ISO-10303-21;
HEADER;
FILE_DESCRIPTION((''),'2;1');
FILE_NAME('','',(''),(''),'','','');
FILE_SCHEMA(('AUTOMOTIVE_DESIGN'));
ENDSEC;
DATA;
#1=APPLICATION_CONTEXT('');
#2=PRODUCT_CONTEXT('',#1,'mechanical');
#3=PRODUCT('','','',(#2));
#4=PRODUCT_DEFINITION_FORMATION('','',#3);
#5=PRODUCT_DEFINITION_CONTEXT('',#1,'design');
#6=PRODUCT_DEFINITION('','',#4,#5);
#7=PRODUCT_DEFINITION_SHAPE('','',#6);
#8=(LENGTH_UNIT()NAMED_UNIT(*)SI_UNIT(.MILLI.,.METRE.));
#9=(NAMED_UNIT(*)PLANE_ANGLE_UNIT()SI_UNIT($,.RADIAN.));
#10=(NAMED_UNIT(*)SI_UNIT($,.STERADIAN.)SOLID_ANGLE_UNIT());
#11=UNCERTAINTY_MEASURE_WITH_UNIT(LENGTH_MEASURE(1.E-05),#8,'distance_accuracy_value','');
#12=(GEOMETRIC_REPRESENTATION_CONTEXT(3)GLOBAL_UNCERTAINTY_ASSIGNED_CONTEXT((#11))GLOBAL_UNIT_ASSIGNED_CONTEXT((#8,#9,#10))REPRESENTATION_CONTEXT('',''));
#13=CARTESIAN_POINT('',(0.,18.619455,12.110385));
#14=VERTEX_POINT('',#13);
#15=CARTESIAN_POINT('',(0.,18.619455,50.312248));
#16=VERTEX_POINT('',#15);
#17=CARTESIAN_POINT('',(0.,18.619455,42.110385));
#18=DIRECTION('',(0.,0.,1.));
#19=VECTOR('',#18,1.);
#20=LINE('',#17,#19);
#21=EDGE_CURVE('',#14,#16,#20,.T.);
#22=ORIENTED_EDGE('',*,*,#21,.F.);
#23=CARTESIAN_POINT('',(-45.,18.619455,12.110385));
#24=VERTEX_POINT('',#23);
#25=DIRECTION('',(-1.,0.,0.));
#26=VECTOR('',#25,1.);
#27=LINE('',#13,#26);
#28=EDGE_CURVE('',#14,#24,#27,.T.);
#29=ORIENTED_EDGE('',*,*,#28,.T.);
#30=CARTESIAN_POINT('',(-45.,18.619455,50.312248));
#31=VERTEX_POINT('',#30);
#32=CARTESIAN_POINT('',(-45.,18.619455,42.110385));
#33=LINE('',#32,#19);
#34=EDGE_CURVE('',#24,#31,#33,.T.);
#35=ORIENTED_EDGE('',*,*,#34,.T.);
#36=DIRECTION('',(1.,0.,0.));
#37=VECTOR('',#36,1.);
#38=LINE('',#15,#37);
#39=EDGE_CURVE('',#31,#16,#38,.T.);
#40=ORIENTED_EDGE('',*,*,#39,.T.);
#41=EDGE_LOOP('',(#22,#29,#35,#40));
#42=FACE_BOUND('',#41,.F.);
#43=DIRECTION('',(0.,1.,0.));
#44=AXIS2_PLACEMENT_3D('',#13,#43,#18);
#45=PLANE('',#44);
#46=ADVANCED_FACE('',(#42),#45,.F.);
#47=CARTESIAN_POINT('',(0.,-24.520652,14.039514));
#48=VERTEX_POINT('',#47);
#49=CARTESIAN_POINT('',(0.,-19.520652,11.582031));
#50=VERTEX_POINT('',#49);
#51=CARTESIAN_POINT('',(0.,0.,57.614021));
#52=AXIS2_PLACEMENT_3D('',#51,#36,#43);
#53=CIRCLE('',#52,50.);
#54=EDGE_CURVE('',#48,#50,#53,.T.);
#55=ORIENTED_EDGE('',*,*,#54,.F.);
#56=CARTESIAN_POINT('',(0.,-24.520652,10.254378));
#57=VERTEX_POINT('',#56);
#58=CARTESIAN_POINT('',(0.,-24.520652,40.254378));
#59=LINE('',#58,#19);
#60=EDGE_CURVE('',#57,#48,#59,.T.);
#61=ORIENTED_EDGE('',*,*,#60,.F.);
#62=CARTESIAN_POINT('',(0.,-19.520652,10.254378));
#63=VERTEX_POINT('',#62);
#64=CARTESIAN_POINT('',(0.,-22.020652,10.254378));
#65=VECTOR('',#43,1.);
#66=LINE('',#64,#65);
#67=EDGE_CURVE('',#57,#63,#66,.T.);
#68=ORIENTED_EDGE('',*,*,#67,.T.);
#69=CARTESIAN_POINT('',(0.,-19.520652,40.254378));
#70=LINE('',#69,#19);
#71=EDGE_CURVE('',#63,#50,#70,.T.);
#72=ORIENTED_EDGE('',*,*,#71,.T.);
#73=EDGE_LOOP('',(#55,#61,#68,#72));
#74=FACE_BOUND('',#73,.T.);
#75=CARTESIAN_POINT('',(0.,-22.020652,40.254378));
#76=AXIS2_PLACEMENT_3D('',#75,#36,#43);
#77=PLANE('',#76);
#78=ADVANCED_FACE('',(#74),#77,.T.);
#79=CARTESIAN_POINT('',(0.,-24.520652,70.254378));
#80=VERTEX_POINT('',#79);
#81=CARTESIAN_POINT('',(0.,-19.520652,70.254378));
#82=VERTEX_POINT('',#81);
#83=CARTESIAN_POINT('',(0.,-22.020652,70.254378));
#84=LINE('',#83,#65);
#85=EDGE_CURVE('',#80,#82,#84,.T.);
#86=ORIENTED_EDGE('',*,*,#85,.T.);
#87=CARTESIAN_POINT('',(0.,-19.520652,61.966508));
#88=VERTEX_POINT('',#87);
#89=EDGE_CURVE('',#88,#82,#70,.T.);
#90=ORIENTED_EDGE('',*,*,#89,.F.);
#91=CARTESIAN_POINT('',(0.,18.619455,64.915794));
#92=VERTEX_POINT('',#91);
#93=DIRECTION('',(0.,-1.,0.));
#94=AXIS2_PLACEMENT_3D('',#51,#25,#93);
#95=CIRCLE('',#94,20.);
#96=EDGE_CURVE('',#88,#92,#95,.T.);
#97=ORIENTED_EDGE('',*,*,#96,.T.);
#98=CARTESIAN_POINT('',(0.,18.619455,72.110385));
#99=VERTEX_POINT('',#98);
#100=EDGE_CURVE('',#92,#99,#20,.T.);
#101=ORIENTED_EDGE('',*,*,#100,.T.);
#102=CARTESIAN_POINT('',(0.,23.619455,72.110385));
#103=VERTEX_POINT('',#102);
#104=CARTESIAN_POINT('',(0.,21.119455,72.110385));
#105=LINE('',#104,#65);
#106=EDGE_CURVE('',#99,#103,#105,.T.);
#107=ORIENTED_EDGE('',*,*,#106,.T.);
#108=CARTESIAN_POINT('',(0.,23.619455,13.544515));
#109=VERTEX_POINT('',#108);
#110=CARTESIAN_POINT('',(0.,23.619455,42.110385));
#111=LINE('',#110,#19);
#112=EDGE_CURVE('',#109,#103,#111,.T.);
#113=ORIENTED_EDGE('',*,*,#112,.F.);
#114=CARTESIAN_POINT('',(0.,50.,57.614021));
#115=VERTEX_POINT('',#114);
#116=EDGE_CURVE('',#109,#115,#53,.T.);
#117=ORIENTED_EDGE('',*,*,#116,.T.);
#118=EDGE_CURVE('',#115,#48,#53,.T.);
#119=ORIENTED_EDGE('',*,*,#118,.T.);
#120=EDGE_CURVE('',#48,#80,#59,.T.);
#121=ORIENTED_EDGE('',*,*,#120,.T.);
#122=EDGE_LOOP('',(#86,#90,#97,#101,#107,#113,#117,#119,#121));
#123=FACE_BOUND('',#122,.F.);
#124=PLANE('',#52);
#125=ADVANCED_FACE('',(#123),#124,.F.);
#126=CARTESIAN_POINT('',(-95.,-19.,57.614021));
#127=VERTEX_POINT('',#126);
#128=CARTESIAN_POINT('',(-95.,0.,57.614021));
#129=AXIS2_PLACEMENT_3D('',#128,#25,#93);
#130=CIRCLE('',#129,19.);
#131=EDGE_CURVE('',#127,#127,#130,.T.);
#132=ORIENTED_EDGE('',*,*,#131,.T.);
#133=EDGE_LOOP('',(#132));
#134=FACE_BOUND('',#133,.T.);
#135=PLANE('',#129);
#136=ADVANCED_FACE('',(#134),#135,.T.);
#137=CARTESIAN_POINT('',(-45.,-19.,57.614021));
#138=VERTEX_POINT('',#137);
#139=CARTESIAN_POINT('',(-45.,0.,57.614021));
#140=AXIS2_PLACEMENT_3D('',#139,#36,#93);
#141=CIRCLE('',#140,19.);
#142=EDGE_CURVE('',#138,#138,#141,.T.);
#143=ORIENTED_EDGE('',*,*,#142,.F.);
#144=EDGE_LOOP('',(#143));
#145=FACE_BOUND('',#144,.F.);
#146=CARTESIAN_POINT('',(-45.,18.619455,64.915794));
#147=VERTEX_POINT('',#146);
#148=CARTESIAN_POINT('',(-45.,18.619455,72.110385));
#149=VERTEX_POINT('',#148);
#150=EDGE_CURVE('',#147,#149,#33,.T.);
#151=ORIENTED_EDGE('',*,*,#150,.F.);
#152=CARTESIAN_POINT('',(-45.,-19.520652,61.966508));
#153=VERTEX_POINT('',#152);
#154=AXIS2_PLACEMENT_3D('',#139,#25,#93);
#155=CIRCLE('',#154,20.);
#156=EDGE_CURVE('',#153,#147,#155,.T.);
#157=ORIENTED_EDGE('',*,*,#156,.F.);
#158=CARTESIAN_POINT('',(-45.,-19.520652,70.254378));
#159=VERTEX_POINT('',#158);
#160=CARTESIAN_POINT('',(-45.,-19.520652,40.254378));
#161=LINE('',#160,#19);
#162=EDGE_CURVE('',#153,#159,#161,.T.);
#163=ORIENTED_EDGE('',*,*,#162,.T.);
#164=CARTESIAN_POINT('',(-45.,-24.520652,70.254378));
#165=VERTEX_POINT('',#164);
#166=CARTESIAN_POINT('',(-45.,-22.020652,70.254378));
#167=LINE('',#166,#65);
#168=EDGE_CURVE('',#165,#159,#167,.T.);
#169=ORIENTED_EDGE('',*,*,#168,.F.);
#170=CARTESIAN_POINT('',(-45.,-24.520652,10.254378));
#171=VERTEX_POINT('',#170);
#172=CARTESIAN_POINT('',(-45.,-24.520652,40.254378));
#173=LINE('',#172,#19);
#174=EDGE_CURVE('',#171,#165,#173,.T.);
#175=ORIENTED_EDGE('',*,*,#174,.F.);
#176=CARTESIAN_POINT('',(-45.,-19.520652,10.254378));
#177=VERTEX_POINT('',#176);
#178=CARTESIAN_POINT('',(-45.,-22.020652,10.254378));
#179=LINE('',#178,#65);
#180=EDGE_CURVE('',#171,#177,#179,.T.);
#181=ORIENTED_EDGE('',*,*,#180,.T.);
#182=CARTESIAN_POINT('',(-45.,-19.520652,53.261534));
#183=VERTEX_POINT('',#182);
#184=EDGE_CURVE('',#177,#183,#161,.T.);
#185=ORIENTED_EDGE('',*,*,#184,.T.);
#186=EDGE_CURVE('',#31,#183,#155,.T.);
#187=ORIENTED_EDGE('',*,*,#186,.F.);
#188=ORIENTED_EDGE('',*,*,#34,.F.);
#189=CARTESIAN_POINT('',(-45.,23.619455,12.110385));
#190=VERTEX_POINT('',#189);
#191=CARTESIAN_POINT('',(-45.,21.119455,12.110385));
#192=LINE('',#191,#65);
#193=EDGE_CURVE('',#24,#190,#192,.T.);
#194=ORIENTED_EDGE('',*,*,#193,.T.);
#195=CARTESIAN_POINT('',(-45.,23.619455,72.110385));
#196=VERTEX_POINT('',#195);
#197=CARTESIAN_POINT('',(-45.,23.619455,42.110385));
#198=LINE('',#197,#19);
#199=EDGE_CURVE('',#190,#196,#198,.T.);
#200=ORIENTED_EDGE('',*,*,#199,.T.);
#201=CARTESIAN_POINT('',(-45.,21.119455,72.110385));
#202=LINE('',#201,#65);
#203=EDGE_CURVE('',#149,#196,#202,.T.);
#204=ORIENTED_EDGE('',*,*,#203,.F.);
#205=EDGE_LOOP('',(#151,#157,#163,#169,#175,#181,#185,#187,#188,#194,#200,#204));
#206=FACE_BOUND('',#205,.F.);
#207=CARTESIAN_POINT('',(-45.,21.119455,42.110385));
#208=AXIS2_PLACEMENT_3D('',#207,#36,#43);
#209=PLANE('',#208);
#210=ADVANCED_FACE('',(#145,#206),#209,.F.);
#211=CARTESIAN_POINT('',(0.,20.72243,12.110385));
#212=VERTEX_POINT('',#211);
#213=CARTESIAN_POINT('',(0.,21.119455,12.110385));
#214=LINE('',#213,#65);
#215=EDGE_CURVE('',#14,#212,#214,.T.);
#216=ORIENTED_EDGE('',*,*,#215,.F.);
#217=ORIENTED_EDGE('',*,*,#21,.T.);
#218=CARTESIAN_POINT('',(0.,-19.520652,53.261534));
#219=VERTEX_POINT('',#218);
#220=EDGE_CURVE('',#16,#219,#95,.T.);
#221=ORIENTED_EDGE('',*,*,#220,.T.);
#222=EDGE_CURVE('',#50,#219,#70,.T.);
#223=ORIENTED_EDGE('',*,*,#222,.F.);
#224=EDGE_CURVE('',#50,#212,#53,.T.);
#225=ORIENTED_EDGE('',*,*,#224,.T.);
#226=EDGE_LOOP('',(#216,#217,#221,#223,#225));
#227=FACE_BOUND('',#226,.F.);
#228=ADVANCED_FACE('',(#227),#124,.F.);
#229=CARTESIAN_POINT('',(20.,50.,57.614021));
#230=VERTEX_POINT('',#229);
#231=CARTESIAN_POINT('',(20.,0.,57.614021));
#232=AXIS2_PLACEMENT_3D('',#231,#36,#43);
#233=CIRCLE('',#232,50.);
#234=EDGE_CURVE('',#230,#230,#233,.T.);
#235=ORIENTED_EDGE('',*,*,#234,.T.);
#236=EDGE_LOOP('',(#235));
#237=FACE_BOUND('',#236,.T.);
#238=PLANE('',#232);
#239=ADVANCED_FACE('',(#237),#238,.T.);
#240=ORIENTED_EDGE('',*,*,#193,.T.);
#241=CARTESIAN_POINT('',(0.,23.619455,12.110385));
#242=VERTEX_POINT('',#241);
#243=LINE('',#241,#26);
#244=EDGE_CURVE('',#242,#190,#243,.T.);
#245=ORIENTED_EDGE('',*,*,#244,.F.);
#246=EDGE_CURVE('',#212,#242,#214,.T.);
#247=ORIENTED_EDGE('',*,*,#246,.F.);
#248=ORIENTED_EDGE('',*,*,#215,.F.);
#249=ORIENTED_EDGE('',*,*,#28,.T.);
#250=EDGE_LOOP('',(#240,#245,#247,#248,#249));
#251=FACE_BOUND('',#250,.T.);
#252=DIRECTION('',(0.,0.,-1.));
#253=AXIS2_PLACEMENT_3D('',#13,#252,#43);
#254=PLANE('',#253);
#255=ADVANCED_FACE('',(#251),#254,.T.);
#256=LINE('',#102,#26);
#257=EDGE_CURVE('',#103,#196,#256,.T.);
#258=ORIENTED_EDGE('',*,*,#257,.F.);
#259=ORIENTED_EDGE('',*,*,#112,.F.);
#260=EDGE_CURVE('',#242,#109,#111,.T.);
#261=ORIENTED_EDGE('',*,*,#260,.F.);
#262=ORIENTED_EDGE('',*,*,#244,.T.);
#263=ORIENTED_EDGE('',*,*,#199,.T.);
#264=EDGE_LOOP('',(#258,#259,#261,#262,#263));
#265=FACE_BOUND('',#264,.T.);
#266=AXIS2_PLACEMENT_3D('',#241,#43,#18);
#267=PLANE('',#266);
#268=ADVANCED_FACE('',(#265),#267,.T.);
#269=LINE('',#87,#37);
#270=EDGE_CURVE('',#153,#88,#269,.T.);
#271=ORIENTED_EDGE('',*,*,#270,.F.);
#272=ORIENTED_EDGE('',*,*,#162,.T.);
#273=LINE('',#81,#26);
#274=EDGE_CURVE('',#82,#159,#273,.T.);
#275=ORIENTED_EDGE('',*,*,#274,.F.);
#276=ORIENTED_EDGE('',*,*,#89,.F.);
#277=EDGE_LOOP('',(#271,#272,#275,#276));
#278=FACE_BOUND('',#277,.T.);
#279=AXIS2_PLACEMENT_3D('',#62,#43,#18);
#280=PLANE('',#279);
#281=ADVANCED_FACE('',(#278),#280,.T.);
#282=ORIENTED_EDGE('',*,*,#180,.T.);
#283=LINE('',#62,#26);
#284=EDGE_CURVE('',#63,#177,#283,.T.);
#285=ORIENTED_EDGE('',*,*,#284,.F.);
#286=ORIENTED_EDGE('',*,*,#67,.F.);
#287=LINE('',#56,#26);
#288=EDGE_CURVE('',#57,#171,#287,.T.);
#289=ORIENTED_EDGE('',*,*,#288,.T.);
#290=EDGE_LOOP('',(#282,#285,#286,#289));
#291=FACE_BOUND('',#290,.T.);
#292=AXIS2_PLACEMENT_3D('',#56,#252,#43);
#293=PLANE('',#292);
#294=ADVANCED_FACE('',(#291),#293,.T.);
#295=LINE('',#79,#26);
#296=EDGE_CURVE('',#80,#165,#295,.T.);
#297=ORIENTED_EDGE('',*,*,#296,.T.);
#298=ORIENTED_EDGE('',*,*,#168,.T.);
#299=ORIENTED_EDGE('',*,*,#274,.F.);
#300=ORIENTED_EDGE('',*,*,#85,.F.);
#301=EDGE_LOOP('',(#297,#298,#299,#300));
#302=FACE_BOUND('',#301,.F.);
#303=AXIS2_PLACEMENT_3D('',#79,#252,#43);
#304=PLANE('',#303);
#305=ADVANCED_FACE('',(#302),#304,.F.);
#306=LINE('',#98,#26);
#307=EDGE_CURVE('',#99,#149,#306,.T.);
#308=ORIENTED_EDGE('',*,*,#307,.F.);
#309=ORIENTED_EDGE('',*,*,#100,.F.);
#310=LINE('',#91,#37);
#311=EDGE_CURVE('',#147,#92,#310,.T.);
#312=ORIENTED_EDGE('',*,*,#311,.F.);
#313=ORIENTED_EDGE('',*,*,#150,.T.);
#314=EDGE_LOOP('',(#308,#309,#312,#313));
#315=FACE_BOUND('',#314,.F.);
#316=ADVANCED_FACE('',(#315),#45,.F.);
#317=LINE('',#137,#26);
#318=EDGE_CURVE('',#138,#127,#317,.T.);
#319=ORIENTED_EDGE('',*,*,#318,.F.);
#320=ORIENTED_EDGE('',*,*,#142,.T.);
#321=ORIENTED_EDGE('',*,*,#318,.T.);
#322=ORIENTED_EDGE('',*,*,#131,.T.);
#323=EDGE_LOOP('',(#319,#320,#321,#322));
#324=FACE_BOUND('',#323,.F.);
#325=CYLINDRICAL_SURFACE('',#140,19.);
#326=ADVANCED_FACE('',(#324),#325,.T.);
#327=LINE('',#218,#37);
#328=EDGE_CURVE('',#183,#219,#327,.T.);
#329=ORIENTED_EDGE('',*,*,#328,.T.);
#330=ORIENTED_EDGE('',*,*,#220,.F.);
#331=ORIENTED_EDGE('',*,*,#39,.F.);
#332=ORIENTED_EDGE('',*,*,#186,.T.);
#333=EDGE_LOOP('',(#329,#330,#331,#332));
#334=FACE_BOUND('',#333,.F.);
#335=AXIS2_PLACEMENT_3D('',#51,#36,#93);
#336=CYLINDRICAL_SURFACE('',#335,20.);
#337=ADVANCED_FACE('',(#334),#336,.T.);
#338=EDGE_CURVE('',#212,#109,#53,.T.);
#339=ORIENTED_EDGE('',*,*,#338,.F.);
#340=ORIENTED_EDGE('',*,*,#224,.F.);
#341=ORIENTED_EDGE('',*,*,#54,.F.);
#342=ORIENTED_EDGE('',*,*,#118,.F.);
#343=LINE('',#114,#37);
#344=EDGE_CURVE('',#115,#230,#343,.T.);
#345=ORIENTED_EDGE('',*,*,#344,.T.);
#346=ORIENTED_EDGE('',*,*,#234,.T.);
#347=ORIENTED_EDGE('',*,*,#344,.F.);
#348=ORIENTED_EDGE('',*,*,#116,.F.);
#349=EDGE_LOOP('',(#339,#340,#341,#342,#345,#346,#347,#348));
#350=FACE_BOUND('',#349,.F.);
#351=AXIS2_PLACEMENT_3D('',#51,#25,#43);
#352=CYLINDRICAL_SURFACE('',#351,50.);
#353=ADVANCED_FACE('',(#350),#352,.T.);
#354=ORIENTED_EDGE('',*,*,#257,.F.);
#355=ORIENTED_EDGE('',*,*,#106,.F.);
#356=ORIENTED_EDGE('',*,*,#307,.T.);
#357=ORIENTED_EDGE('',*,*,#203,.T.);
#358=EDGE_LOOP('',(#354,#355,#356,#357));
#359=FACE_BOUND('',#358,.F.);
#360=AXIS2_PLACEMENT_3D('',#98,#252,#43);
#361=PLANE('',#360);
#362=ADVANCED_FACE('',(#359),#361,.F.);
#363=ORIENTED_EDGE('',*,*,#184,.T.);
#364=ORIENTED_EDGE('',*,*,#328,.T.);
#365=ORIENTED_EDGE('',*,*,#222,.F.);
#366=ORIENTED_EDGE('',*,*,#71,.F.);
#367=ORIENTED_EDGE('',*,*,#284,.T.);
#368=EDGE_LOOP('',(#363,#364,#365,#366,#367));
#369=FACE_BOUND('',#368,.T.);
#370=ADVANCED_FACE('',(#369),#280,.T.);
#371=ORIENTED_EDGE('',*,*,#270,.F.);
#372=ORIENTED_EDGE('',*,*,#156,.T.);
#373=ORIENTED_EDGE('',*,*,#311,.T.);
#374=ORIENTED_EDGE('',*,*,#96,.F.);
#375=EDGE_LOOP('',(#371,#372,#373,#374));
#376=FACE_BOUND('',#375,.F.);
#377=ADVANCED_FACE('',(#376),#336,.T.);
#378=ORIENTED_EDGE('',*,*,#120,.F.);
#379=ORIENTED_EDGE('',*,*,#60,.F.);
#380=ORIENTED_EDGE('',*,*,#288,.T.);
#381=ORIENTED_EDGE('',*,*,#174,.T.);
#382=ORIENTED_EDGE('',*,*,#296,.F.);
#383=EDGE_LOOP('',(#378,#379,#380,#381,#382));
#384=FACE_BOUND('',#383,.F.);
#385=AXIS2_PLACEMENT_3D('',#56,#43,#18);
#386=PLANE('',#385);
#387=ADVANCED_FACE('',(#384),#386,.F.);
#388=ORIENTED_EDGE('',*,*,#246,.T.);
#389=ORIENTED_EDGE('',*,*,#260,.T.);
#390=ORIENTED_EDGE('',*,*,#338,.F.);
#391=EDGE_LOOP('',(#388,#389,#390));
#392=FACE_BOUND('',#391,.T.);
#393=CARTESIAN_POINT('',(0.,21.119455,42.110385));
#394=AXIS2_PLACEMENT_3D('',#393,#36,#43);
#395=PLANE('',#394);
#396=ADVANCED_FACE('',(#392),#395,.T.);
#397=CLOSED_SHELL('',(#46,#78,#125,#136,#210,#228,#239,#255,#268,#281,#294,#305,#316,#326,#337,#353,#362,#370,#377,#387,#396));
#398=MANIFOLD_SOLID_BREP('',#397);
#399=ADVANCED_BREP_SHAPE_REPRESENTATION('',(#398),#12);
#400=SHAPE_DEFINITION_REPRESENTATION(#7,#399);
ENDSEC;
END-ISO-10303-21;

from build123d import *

# Parameters (mm, degrees)
F0_R     = 50
F1_DEPTH = 20
F2_R     = 20
F3_DEPTH = 45
F4_W     = 5
F4_H     = 60
F5_DEPTH = 45
F6_R     = 19
F7_DEPTH = 50
F8_W     = 5
F8_H     = 60
F9_DEPTH = 45


with BuildPart() as f1:
    # F0 (on Right) → F1 (new body)
    with BuildSketch(Plane.YZ):
        with Locations((0, 57.614021)):
            Circle(F0_R)
    extrude(amount=F1_DEPTH)

    # F2 (on face) → F3 (join)
    with BuildSketch(Plane(origin=(0, 0, 0), x_dir=(0, -1, 0), z_dir=(-1, 0, 0))):
        with Locations((0, 57.614021)):
            Circle(F2_R)
    extrude(amount=F3_DEPTH)

    # F4 (on Right) → F5 (join)
    with BuildSketch(Plane.YZ):
        with Locations((-22.020652, 40.254378)):
            Rectangle(F4_W, F4_H)
    extrude(amount=-F5_DEPTH)

    # F6 (on face) → F7 (join)
    with BuildSketch(Plane(origin=(-45, 0, 0), x_dir=(0, -1, 0), z_dir=(-1, 0, 0))):
        with Locations((0, 57.614021)):
            Circle(F6_R)
    extrude(amount=F7_DEPTH)

    # F8 (on Right) → F9 (join)
    with BuildSketch(Plane.YZ):
        with Locations((21.119455, 42.110385)):
            Rectangle(F8_W, F8_H)
    extrude(amount=-F9_DEPTH)


solid = f1.part
